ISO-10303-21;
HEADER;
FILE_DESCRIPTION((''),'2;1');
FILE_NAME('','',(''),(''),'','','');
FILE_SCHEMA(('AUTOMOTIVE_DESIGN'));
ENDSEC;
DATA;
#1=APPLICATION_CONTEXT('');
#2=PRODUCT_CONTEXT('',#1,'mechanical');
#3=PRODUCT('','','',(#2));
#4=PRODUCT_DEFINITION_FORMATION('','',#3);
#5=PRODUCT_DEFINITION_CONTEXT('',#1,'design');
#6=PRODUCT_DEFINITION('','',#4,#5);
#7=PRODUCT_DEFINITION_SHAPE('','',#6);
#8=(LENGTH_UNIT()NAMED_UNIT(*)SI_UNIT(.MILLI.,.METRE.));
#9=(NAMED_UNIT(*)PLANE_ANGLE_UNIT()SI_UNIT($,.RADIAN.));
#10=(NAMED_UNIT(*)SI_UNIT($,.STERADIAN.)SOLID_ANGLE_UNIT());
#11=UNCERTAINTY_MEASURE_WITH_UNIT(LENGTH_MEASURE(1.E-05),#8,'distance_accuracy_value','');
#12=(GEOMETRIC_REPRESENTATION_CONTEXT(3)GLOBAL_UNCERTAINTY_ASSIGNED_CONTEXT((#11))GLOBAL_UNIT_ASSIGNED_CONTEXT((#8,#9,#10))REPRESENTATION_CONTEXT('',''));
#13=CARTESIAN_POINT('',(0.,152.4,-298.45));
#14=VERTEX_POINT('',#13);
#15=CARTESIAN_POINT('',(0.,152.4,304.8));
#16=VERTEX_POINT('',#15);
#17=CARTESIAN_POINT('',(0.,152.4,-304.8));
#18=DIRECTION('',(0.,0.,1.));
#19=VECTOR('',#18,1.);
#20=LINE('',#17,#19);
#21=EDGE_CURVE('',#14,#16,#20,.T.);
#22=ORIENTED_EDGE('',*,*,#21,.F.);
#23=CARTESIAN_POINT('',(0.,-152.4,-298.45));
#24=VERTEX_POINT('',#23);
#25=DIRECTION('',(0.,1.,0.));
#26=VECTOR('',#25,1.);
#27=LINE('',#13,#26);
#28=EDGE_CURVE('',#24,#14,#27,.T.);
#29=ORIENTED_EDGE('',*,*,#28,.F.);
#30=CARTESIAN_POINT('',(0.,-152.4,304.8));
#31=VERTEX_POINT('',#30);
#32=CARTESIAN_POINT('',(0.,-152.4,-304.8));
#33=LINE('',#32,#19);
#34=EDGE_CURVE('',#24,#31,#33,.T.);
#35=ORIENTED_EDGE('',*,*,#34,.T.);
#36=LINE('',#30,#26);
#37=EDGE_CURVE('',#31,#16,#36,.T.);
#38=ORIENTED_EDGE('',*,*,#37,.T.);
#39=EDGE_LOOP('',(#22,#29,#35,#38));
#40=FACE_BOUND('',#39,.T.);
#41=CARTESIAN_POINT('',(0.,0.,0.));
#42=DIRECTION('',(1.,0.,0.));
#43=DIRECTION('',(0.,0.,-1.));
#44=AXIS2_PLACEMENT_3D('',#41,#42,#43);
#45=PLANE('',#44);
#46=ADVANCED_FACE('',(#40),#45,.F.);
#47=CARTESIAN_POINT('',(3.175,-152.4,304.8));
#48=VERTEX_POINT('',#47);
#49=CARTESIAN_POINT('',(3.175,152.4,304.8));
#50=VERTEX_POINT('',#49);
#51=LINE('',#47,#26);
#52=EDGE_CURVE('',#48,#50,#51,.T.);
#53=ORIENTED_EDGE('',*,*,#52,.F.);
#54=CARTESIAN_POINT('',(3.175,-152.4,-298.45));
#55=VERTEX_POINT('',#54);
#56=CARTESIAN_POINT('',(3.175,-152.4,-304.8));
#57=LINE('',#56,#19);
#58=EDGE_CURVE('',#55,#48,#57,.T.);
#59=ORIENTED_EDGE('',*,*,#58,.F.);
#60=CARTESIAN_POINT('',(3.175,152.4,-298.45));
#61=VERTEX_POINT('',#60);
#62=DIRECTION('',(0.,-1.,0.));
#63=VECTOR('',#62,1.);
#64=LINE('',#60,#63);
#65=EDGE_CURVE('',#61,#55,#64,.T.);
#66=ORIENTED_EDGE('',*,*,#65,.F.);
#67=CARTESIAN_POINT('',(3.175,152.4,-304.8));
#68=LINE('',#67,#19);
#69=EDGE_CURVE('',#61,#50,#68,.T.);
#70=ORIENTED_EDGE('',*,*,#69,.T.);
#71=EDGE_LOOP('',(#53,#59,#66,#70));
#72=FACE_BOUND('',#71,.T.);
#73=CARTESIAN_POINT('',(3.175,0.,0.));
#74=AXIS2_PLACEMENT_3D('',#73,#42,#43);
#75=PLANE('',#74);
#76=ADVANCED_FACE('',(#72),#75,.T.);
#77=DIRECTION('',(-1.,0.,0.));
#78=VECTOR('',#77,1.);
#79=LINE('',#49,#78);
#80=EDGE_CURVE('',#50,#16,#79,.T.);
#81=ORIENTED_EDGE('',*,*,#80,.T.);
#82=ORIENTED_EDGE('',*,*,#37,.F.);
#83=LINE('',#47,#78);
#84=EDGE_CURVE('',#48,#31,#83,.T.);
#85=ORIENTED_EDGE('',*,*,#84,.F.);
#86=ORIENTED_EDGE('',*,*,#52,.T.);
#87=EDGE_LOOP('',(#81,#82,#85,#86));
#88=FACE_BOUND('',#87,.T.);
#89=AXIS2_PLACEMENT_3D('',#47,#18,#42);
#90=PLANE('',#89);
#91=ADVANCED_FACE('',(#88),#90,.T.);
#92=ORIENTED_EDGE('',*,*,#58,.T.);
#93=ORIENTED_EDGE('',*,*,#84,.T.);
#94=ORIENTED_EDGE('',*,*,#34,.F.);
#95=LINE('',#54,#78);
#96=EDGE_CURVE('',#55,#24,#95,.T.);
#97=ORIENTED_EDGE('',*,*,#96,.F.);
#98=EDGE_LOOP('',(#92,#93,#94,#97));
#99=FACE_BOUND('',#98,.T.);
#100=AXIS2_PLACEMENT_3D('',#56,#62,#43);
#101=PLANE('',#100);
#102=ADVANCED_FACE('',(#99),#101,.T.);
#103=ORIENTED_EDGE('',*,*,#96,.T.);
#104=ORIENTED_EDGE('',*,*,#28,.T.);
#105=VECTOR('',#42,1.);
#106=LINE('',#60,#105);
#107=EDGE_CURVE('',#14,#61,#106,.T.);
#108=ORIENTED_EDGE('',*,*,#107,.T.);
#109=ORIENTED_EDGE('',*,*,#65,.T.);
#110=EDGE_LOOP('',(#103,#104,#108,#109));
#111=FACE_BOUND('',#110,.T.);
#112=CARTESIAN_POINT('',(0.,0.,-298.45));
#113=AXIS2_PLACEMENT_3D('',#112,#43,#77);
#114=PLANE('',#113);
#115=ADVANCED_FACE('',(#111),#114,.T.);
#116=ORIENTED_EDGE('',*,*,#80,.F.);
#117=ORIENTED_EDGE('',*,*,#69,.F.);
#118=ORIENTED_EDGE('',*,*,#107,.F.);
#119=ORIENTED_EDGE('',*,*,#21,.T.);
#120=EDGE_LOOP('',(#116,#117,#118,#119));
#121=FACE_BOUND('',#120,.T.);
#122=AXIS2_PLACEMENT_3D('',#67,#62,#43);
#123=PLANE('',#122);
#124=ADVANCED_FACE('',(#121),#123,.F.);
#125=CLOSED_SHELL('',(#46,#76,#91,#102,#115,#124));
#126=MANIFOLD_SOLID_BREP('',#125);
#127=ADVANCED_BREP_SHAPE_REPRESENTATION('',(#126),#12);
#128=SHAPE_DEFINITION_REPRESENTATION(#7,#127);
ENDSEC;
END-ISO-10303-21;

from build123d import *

# Parameters (mm, degrees)
SKETCH1_W           = 609.6
SKETCH1_H           = 304.8
BOSS_EXTRUDE1_DEPTH = 3.175
SKETCH2_W           = 3.175
SKETCH2_H           = 304.8
CUT_EXTRUDE1_DEPTH  = 6.35


with BuildPart() as part:
    # Sketch1 → Boss-Extrude1 (new body)
    with BuildSketch(Plane(origin=(0, 0, 0), x_dir=(0, 0, -1), z_dir=(1, 0, 0))):
        Rectangle(SKETCH1_W, SKETCH1_H)
    extrude(amount=BOSS_EXTRUDE1_DEPTH)

    # Sketch2 → Cut-Extrude1 (cut)
    with BuildSketch(Plane(origin=(0, 0, -304.8), x_dir=(-1, 0, 0), z_dir=(0, 0, -1))):
        with Locations((-1.5875, 0)):
            Rectangle(SKETCH2_W, SKETCH2_H)
    extrude(amount=-CUT_EXTRUDE1_DEPTH, mode=Mode.SUBTRACT)


solid = part.part
